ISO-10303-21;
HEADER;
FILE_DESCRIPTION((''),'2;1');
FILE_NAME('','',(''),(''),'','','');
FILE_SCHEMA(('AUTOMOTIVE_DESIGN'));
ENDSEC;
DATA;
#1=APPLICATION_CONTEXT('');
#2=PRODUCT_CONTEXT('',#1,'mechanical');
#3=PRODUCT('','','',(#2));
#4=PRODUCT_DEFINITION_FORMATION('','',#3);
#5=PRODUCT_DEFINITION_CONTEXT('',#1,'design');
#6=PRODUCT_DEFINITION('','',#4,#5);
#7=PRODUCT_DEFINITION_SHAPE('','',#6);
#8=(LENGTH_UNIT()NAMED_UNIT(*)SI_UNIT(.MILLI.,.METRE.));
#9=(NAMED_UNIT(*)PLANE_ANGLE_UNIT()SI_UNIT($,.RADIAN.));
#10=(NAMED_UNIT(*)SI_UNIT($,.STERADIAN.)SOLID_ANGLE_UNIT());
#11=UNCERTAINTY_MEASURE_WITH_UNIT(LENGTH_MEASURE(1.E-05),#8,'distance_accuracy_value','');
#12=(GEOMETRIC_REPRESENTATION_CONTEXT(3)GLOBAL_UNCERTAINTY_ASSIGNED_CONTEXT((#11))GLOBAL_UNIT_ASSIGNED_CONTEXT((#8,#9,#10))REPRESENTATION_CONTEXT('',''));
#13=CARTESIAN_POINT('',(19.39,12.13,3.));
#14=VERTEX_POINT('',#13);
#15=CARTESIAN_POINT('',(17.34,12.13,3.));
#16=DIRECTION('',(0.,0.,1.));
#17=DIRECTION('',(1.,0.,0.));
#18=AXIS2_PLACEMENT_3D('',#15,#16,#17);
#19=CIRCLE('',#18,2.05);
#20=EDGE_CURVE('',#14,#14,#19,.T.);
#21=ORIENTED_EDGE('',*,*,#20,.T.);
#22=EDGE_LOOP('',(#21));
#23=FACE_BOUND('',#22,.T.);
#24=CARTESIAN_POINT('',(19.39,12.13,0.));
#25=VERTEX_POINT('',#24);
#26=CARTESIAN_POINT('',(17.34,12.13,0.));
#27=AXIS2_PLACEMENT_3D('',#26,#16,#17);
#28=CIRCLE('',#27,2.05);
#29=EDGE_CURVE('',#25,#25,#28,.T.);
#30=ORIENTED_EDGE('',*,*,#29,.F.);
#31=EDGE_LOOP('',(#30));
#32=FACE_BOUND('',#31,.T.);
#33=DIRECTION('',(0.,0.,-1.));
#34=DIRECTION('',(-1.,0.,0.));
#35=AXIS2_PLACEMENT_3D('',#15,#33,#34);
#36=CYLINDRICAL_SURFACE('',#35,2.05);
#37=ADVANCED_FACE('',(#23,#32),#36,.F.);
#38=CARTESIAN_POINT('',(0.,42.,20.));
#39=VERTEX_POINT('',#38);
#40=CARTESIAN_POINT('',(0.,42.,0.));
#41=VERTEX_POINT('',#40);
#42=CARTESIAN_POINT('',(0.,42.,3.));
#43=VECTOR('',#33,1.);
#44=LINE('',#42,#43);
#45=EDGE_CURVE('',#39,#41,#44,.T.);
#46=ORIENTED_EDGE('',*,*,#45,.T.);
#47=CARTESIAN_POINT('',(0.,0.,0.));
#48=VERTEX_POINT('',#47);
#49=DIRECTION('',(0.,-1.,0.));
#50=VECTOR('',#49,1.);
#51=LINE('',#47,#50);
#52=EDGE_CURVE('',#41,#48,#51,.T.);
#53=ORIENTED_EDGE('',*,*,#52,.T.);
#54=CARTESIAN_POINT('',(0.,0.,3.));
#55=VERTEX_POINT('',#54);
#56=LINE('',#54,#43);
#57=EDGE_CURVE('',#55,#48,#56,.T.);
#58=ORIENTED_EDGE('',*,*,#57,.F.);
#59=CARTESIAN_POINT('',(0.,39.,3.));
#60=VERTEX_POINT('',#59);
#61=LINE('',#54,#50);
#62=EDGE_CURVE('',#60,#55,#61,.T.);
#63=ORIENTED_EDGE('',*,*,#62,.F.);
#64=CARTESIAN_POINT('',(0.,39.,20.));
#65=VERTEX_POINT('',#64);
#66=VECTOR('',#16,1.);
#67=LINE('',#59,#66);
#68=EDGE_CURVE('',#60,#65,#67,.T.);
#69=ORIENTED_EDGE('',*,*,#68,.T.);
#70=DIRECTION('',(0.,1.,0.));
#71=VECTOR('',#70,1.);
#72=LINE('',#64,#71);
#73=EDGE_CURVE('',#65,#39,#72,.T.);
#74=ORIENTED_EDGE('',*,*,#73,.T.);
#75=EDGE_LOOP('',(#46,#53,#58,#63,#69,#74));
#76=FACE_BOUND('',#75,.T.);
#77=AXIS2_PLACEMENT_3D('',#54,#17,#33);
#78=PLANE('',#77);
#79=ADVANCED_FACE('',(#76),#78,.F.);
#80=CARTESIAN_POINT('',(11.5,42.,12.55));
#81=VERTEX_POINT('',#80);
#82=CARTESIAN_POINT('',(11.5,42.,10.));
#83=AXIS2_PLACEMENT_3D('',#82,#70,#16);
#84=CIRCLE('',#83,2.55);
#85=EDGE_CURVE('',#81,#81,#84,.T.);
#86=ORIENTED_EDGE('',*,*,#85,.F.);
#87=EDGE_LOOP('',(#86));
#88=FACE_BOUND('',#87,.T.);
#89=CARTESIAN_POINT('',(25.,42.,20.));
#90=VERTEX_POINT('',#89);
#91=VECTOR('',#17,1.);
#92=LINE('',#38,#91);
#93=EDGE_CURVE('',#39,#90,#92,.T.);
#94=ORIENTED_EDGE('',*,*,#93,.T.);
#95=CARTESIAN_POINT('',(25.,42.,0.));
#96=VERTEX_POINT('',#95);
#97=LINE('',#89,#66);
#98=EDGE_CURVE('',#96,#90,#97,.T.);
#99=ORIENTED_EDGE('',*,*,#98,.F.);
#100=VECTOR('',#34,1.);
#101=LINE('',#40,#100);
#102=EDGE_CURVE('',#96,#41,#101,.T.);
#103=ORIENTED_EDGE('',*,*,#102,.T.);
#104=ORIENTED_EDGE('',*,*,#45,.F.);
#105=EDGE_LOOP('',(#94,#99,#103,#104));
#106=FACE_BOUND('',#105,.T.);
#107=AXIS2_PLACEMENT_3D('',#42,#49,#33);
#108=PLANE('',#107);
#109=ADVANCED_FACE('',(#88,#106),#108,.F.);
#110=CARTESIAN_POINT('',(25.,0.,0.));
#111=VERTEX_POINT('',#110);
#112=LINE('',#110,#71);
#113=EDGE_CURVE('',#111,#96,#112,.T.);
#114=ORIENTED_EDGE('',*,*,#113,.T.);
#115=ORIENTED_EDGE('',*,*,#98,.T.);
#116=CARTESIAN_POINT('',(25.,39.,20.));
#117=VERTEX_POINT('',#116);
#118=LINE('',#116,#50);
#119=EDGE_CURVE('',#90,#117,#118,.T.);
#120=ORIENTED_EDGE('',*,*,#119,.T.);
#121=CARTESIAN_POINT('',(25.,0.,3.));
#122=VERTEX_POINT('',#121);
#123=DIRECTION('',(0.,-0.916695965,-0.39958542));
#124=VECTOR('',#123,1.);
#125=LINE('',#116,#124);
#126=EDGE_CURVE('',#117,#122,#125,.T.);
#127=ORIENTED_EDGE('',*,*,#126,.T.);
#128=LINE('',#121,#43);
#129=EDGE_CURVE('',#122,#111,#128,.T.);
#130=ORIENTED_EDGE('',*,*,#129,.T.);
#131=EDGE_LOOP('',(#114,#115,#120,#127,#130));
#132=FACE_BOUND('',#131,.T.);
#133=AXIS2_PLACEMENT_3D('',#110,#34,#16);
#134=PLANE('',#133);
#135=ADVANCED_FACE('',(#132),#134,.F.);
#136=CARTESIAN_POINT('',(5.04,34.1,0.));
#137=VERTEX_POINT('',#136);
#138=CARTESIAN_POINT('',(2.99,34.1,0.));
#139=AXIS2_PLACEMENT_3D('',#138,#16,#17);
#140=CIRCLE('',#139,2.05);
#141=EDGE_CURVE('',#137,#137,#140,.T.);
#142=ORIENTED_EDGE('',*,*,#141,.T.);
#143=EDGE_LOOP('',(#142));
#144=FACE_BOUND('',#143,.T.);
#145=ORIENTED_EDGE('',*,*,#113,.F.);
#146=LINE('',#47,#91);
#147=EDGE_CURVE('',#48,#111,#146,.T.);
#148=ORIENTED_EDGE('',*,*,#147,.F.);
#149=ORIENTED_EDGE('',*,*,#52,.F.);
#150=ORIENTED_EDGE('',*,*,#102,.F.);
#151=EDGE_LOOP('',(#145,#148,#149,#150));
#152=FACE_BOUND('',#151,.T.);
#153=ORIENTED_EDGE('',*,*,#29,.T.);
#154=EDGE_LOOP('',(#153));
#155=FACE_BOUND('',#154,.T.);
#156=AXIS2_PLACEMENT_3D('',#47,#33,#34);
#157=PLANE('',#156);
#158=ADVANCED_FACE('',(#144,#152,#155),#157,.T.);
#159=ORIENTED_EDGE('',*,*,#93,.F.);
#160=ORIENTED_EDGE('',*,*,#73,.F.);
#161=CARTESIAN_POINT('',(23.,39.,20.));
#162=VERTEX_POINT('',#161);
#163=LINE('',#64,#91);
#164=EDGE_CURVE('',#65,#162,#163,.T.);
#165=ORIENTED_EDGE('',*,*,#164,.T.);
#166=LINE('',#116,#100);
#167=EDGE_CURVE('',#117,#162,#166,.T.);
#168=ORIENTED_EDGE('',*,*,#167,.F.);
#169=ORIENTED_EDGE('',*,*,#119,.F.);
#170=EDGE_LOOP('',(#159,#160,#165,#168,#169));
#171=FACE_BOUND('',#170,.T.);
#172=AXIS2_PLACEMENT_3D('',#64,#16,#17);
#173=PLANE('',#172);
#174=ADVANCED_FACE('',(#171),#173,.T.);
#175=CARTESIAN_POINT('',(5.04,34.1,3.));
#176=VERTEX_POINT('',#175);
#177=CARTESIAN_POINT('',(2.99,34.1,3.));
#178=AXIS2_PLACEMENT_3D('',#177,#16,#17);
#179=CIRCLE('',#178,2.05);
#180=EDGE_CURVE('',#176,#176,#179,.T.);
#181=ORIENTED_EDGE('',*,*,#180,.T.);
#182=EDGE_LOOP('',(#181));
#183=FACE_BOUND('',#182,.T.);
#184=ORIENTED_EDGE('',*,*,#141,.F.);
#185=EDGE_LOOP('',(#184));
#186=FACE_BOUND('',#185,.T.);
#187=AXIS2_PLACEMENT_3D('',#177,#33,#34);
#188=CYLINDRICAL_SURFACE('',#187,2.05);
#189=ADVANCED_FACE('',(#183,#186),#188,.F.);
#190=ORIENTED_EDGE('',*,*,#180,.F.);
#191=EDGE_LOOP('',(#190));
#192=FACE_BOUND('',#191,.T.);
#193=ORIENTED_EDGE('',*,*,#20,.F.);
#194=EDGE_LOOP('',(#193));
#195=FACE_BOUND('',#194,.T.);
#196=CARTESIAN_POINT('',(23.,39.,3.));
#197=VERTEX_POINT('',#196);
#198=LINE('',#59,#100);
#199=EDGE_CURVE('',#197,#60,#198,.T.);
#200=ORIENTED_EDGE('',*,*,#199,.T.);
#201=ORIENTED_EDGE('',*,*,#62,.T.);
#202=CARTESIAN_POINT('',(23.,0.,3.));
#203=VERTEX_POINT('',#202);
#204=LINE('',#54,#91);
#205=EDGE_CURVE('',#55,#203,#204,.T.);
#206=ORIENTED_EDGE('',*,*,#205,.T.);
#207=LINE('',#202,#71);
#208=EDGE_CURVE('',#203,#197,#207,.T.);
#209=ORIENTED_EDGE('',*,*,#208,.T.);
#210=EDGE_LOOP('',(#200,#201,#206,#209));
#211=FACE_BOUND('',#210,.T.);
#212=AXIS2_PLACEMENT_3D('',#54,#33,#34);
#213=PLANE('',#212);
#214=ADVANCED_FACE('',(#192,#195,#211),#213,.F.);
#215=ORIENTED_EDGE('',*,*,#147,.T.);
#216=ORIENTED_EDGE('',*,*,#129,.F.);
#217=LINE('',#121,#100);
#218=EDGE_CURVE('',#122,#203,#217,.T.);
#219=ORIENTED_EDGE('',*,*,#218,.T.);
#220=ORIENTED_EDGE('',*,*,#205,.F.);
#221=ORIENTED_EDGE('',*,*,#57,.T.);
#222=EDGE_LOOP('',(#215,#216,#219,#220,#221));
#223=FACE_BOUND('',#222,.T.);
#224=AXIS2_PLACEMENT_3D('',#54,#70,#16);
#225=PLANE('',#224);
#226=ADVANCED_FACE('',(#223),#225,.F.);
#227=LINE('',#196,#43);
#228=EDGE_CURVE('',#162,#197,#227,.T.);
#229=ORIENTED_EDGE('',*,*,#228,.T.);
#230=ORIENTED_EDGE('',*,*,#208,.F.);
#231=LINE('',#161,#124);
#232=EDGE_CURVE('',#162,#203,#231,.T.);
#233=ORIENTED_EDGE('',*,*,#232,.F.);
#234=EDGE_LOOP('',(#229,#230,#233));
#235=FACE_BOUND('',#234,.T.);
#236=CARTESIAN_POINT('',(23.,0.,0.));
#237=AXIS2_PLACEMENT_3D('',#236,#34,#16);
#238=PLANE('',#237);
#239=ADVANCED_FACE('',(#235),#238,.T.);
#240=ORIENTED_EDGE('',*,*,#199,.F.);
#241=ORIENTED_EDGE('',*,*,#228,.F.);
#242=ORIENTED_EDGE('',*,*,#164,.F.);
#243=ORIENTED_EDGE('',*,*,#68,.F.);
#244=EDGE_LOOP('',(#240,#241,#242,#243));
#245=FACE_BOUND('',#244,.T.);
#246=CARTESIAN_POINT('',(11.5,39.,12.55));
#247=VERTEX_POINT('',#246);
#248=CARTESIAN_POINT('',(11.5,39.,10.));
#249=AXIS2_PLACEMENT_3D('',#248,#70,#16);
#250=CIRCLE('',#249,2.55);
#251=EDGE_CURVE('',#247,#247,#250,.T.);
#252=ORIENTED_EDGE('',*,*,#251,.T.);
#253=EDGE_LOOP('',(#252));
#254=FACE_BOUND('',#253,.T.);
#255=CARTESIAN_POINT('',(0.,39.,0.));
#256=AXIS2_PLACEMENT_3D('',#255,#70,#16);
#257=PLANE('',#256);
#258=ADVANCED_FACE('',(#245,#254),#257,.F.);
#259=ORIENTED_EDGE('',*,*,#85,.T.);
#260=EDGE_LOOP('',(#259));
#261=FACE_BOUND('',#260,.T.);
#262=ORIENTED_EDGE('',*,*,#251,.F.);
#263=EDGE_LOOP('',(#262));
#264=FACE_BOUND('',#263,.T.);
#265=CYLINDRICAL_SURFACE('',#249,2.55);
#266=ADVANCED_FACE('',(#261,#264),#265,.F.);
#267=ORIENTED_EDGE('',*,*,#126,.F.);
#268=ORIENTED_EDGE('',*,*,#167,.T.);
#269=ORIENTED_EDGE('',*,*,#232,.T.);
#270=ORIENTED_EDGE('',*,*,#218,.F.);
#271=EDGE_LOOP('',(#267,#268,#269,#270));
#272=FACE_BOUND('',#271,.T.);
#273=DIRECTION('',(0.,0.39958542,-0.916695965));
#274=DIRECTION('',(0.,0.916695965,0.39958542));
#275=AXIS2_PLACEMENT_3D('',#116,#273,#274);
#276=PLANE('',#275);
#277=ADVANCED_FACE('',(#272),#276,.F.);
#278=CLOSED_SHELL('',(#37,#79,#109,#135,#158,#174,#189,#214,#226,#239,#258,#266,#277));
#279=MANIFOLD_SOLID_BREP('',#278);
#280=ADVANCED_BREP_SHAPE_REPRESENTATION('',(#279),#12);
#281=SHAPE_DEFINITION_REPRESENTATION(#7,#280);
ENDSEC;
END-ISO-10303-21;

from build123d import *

# Parameters (mm, degrees)
SKETCH1_W           = 23
SKETCH1_H           = 42.000000074
SKETCH1_R           = 2.05
BOSS_EXTRUDE1_DEPTH = 3
SKETCH2_W           = 23
SKETCH2_H           = 17
SKETCH2_R           = 2.55
BOSS_EXTRUDE2_DEPTH = 3
BOSS_EXTRUDE3_DEPTH = 2


with BuildPart() as part:
    # Sketch1 → Boss-Extrude1 (new body)
    with BuildSketch(Plane.XY):
        with Locations((11.5, 21.000000037)):
            Rectangle(SKETCH1_W, SKETCH1_H)
        with Locations((17.34, 12.13)):
            Circle(SKETCH1_R, mode=Mode.SUBTRACT)
        with Locations((2.99, 34.1)):
            Circle(SKETCH1_R, mode=Mode.SUBTRACT)
    extrude(amount=BOSS_EXTRUDE1_DEPTH)

    # Sketch2 → Boss-Extrude2 (add)
    with BuildSketch(Plane(origin=(0, 42.000000074, 0), x_dir=(1, 0, 0), z_dir=(0, 1, 0))):
        with Locations((11.5, -11.5)):
            Rectangle(SKETCH2_W, SKETCH2_H)
        with Locations((11.5, -10)):
            Circle(SKETCH2_R, mode=Mode.SUBTRACT)
    extrude(amount=-BOSS_EXTRUDE2_DEPTH)

    # Sketch3 → Boss-Extrude3 (add)
    with BuildSketch(Plane(origin=(23, 0, 0), x_dir=(0, 0, -1), z_dir=(1, 0, 0))):
        Polygon((-20, 39.000000074), (-3, 0), (0, 0), (0, 42.000000074), (-20, 42.000000074), align=None)
    extrude(amount=BOSS_EXTRUDE3_DEPTH)


solid = part.part
